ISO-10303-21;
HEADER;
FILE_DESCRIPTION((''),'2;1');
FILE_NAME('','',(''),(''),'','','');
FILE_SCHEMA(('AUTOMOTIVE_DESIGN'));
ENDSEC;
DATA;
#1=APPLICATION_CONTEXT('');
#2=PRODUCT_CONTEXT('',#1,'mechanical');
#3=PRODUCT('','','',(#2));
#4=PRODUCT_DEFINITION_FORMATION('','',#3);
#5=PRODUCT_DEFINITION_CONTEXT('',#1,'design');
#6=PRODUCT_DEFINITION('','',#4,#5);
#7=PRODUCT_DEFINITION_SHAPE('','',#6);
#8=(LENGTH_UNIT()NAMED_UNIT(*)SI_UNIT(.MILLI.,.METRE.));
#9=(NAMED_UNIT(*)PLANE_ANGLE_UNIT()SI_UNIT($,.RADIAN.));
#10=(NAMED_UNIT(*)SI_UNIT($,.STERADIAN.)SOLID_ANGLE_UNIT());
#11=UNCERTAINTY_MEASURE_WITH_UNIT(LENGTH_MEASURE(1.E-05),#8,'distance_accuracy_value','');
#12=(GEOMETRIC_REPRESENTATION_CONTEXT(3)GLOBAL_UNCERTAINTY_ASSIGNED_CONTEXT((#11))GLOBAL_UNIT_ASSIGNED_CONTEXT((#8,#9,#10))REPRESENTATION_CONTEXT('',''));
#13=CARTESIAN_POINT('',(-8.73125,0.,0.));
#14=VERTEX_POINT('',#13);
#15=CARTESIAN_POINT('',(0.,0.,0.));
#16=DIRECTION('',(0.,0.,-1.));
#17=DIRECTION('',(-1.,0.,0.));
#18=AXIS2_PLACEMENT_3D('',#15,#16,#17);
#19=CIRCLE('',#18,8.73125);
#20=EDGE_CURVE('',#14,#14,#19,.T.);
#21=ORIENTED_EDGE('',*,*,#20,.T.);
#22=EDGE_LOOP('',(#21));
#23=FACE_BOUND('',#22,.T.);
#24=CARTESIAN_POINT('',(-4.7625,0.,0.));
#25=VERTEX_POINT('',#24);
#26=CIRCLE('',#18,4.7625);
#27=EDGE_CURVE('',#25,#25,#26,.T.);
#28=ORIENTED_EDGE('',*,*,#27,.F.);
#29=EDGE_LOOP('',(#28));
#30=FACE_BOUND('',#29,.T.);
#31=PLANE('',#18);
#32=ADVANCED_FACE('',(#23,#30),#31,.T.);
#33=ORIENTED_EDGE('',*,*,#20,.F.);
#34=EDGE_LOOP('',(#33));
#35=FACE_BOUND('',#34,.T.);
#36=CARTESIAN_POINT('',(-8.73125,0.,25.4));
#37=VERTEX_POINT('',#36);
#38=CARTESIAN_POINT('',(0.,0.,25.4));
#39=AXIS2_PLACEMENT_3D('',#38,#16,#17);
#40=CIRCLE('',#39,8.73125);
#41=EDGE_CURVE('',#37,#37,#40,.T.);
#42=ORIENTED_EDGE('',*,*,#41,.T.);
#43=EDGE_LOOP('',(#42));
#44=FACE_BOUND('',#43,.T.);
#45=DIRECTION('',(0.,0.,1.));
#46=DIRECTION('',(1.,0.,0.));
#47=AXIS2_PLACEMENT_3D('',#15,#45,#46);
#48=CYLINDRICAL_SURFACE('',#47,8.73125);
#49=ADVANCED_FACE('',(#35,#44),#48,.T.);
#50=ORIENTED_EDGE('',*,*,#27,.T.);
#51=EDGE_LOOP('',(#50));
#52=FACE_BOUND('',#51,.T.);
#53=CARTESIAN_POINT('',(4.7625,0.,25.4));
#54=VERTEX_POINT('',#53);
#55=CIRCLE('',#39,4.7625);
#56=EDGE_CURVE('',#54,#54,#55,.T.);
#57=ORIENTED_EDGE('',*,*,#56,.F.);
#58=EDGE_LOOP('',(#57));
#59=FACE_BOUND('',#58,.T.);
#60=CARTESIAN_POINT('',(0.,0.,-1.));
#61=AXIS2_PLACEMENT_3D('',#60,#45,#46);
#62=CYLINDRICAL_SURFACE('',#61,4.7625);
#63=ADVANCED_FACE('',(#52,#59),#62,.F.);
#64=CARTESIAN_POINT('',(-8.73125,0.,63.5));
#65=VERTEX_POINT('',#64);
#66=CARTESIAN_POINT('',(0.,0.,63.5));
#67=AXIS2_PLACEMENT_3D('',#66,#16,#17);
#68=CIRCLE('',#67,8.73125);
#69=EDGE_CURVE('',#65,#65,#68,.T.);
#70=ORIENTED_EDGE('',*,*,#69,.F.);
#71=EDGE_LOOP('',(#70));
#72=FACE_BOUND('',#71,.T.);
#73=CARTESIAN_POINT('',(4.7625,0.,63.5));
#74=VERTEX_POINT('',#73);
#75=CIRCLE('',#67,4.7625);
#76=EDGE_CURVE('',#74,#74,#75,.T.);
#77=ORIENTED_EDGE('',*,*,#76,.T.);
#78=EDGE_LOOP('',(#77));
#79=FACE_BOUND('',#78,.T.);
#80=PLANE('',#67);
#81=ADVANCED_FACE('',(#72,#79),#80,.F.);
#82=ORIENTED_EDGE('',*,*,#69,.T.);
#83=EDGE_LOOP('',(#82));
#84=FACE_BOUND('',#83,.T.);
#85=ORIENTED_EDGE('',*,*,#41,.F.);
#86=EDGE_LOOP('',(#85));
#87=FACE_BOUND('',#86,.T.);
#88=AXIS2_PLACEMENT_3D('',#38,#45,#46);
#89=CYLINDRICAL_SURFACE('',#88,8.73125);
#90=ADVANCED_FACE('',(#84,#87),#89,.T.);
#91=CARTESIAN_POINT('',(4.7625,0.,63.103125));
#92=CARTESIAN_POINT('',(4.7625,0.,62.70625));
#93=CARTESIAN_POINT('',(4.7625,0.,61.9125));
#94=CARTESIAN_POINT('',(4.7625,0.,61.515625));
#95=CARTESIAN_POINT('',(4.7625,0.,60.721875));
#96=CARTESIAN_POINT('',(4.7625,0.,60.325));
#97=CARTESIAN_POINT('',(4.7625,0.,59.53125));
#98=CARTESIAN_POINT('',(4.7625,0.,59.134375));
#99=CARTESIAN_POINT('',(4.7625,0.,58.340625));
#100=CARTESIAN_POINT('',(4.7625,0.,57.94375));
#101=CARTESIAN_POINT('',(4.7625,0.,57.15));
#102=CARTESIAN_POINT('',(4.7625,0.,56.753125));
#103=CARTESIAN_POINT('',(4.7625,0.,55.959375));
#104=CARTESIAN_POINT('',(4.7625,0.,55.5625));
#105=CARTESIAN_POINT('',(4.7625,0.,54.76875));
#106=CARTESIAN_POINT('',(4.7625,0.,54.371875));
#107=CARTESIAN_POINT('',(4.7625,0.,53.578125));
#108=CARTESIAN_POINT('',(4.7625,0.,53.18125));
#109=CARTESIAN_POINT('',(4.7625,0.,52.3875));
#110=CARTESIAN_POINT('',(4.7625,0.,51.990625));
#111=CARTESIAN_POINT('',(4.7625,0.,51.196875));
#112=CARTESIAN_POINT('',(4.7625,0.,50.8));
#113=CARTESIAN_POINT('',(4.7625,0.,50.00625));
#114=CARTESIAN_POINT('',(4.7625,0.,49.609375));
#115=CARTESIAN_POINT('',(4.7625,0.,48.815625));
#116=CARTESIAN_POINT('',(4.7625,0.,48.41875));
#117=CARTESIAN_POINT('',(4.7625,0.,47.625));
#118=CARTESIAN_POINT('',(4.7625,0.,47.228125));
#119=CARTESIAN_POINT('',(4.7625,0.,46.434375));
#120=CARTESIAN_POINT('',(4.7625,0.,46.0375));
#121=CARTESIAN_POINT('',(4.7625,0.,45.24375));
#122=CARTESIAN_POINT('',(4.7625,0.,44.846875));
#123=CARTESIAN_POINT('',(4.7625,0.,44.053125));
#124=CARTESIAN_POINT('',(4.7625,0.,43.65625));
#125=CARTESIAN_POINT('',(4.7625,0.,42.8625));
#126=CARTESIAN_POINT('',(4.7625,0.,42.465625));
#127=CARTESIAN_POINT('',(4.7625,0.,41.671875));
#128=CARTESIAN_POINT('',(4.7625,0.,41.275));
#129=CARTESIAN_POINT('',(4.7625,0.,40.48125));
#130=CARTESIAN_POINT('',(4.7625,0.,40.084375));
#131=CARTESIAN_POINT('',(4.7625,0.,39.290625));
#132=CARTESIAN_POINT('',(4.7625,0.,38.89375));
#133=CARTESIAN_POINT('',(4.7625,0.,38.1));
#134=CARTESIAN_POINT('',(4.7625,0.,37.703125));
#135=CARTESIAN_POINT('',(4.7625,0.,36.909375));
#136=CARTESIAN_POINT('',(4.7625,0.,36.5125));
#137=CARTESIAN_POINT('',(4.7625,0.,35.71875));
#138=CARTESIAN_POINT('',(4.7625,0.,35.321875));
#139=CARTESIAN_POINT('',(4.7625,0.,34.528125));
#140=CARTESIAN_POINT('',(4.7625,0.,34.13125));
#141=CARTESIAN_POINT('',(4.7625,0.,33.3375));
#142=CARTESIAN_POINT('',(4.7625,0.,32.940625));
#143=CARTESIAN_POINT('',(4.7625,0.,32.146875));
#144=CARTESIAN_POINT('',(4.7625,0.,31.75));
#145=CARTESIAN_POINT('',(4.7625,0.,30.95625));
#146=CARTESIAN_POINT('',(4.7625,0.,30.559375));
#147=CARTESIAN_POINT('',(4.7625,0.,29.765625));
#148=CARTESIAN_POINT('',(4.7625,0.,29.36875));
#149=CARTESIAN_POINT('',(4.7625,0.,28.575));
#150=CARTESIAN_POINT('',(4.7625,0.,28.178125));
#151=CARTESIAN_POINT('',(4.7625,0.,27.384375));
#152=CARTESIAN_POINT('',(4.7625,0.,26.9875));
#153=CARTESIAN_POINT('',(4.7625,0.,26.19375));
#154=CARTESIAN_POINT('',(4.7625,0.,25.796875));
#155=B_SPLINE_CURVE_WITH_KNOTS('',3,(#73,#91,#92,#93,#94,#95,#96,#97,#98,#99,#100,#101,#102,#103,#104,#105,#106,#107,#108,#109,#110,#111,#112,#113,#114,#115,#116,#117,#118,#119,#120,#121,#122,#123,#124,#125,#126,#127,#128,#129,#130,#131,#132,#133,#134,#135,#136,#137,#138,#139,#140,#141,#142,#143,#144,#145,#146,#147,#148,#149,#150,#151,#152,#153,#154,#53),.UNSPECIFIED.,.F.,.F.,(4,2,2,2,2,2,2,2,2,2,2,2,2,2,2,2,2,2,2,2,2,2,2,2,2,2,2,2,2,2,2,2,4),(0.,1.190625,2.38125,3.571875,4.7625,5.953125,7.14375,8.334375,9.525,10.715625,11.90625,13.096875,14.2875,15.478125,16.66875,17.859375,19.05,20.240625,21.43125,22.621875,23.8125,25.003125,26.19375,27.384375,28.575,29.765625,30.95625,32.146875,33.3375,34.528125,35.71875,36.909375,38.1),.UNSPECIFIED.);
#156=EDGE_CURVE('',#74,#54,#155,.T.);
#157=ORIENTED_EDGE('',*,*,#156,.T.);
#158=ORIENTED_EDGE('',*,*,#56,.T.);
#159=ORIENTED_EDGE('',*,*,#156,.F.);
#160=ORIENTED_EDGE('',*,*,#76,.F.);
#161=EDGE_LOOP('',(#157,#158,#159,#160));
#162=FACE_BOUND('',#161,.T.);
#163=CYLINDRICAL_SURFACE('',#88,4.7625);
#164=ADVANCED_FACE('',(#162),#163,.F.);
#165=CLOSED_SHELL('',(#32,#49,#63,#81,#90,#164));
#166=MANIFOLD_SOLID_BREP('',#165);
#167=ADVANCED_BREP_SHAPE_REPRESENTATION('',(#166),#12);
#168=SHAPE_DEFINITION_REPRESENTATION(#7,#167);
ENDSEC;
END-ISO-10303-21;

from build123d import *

# Parameters (mm, degrees)
SWEEP1_PROFILE_R     = 8.73125
CUT_SWEEP1_PROFILE_R = 4.7625


with BuildPart() as part:
    # Sweep1: sweep along a curve in space
    with BuildLine() as sweep1_path:
        Line((0, 0, 0), (0, 0, 25.4))
        Line((0, 0, 25.4), (0, 0, 63.5))
    # Sweep1 profile (on start of the path) → Sweep1 (sweep)
    with BuildSketch(Plane.XY):
        Circle(SWEEP1_PROFILE_R)
    sweep(path=sweep1_path.line)

    # Cut-Sweep1: sweep along a curve in space
    with BuildLine() as cut_sweep1_path:
        Line((0, 0, 0), (0, 0, 25.4))
        Line((0, 0, 25.4), (0, 0, 63.5))
    # Cut-Sweep1 profile (on start of the path) → Cut-Sweep1 (sweep, cut)
    with BuildSketch(Plane.XY):
        Circle(CUT_SWEEP1_PROFILE_R)
    sweep(path=cut_sweep1_path.line, mode=Mode.SUBTRACT)


solid = part.part
